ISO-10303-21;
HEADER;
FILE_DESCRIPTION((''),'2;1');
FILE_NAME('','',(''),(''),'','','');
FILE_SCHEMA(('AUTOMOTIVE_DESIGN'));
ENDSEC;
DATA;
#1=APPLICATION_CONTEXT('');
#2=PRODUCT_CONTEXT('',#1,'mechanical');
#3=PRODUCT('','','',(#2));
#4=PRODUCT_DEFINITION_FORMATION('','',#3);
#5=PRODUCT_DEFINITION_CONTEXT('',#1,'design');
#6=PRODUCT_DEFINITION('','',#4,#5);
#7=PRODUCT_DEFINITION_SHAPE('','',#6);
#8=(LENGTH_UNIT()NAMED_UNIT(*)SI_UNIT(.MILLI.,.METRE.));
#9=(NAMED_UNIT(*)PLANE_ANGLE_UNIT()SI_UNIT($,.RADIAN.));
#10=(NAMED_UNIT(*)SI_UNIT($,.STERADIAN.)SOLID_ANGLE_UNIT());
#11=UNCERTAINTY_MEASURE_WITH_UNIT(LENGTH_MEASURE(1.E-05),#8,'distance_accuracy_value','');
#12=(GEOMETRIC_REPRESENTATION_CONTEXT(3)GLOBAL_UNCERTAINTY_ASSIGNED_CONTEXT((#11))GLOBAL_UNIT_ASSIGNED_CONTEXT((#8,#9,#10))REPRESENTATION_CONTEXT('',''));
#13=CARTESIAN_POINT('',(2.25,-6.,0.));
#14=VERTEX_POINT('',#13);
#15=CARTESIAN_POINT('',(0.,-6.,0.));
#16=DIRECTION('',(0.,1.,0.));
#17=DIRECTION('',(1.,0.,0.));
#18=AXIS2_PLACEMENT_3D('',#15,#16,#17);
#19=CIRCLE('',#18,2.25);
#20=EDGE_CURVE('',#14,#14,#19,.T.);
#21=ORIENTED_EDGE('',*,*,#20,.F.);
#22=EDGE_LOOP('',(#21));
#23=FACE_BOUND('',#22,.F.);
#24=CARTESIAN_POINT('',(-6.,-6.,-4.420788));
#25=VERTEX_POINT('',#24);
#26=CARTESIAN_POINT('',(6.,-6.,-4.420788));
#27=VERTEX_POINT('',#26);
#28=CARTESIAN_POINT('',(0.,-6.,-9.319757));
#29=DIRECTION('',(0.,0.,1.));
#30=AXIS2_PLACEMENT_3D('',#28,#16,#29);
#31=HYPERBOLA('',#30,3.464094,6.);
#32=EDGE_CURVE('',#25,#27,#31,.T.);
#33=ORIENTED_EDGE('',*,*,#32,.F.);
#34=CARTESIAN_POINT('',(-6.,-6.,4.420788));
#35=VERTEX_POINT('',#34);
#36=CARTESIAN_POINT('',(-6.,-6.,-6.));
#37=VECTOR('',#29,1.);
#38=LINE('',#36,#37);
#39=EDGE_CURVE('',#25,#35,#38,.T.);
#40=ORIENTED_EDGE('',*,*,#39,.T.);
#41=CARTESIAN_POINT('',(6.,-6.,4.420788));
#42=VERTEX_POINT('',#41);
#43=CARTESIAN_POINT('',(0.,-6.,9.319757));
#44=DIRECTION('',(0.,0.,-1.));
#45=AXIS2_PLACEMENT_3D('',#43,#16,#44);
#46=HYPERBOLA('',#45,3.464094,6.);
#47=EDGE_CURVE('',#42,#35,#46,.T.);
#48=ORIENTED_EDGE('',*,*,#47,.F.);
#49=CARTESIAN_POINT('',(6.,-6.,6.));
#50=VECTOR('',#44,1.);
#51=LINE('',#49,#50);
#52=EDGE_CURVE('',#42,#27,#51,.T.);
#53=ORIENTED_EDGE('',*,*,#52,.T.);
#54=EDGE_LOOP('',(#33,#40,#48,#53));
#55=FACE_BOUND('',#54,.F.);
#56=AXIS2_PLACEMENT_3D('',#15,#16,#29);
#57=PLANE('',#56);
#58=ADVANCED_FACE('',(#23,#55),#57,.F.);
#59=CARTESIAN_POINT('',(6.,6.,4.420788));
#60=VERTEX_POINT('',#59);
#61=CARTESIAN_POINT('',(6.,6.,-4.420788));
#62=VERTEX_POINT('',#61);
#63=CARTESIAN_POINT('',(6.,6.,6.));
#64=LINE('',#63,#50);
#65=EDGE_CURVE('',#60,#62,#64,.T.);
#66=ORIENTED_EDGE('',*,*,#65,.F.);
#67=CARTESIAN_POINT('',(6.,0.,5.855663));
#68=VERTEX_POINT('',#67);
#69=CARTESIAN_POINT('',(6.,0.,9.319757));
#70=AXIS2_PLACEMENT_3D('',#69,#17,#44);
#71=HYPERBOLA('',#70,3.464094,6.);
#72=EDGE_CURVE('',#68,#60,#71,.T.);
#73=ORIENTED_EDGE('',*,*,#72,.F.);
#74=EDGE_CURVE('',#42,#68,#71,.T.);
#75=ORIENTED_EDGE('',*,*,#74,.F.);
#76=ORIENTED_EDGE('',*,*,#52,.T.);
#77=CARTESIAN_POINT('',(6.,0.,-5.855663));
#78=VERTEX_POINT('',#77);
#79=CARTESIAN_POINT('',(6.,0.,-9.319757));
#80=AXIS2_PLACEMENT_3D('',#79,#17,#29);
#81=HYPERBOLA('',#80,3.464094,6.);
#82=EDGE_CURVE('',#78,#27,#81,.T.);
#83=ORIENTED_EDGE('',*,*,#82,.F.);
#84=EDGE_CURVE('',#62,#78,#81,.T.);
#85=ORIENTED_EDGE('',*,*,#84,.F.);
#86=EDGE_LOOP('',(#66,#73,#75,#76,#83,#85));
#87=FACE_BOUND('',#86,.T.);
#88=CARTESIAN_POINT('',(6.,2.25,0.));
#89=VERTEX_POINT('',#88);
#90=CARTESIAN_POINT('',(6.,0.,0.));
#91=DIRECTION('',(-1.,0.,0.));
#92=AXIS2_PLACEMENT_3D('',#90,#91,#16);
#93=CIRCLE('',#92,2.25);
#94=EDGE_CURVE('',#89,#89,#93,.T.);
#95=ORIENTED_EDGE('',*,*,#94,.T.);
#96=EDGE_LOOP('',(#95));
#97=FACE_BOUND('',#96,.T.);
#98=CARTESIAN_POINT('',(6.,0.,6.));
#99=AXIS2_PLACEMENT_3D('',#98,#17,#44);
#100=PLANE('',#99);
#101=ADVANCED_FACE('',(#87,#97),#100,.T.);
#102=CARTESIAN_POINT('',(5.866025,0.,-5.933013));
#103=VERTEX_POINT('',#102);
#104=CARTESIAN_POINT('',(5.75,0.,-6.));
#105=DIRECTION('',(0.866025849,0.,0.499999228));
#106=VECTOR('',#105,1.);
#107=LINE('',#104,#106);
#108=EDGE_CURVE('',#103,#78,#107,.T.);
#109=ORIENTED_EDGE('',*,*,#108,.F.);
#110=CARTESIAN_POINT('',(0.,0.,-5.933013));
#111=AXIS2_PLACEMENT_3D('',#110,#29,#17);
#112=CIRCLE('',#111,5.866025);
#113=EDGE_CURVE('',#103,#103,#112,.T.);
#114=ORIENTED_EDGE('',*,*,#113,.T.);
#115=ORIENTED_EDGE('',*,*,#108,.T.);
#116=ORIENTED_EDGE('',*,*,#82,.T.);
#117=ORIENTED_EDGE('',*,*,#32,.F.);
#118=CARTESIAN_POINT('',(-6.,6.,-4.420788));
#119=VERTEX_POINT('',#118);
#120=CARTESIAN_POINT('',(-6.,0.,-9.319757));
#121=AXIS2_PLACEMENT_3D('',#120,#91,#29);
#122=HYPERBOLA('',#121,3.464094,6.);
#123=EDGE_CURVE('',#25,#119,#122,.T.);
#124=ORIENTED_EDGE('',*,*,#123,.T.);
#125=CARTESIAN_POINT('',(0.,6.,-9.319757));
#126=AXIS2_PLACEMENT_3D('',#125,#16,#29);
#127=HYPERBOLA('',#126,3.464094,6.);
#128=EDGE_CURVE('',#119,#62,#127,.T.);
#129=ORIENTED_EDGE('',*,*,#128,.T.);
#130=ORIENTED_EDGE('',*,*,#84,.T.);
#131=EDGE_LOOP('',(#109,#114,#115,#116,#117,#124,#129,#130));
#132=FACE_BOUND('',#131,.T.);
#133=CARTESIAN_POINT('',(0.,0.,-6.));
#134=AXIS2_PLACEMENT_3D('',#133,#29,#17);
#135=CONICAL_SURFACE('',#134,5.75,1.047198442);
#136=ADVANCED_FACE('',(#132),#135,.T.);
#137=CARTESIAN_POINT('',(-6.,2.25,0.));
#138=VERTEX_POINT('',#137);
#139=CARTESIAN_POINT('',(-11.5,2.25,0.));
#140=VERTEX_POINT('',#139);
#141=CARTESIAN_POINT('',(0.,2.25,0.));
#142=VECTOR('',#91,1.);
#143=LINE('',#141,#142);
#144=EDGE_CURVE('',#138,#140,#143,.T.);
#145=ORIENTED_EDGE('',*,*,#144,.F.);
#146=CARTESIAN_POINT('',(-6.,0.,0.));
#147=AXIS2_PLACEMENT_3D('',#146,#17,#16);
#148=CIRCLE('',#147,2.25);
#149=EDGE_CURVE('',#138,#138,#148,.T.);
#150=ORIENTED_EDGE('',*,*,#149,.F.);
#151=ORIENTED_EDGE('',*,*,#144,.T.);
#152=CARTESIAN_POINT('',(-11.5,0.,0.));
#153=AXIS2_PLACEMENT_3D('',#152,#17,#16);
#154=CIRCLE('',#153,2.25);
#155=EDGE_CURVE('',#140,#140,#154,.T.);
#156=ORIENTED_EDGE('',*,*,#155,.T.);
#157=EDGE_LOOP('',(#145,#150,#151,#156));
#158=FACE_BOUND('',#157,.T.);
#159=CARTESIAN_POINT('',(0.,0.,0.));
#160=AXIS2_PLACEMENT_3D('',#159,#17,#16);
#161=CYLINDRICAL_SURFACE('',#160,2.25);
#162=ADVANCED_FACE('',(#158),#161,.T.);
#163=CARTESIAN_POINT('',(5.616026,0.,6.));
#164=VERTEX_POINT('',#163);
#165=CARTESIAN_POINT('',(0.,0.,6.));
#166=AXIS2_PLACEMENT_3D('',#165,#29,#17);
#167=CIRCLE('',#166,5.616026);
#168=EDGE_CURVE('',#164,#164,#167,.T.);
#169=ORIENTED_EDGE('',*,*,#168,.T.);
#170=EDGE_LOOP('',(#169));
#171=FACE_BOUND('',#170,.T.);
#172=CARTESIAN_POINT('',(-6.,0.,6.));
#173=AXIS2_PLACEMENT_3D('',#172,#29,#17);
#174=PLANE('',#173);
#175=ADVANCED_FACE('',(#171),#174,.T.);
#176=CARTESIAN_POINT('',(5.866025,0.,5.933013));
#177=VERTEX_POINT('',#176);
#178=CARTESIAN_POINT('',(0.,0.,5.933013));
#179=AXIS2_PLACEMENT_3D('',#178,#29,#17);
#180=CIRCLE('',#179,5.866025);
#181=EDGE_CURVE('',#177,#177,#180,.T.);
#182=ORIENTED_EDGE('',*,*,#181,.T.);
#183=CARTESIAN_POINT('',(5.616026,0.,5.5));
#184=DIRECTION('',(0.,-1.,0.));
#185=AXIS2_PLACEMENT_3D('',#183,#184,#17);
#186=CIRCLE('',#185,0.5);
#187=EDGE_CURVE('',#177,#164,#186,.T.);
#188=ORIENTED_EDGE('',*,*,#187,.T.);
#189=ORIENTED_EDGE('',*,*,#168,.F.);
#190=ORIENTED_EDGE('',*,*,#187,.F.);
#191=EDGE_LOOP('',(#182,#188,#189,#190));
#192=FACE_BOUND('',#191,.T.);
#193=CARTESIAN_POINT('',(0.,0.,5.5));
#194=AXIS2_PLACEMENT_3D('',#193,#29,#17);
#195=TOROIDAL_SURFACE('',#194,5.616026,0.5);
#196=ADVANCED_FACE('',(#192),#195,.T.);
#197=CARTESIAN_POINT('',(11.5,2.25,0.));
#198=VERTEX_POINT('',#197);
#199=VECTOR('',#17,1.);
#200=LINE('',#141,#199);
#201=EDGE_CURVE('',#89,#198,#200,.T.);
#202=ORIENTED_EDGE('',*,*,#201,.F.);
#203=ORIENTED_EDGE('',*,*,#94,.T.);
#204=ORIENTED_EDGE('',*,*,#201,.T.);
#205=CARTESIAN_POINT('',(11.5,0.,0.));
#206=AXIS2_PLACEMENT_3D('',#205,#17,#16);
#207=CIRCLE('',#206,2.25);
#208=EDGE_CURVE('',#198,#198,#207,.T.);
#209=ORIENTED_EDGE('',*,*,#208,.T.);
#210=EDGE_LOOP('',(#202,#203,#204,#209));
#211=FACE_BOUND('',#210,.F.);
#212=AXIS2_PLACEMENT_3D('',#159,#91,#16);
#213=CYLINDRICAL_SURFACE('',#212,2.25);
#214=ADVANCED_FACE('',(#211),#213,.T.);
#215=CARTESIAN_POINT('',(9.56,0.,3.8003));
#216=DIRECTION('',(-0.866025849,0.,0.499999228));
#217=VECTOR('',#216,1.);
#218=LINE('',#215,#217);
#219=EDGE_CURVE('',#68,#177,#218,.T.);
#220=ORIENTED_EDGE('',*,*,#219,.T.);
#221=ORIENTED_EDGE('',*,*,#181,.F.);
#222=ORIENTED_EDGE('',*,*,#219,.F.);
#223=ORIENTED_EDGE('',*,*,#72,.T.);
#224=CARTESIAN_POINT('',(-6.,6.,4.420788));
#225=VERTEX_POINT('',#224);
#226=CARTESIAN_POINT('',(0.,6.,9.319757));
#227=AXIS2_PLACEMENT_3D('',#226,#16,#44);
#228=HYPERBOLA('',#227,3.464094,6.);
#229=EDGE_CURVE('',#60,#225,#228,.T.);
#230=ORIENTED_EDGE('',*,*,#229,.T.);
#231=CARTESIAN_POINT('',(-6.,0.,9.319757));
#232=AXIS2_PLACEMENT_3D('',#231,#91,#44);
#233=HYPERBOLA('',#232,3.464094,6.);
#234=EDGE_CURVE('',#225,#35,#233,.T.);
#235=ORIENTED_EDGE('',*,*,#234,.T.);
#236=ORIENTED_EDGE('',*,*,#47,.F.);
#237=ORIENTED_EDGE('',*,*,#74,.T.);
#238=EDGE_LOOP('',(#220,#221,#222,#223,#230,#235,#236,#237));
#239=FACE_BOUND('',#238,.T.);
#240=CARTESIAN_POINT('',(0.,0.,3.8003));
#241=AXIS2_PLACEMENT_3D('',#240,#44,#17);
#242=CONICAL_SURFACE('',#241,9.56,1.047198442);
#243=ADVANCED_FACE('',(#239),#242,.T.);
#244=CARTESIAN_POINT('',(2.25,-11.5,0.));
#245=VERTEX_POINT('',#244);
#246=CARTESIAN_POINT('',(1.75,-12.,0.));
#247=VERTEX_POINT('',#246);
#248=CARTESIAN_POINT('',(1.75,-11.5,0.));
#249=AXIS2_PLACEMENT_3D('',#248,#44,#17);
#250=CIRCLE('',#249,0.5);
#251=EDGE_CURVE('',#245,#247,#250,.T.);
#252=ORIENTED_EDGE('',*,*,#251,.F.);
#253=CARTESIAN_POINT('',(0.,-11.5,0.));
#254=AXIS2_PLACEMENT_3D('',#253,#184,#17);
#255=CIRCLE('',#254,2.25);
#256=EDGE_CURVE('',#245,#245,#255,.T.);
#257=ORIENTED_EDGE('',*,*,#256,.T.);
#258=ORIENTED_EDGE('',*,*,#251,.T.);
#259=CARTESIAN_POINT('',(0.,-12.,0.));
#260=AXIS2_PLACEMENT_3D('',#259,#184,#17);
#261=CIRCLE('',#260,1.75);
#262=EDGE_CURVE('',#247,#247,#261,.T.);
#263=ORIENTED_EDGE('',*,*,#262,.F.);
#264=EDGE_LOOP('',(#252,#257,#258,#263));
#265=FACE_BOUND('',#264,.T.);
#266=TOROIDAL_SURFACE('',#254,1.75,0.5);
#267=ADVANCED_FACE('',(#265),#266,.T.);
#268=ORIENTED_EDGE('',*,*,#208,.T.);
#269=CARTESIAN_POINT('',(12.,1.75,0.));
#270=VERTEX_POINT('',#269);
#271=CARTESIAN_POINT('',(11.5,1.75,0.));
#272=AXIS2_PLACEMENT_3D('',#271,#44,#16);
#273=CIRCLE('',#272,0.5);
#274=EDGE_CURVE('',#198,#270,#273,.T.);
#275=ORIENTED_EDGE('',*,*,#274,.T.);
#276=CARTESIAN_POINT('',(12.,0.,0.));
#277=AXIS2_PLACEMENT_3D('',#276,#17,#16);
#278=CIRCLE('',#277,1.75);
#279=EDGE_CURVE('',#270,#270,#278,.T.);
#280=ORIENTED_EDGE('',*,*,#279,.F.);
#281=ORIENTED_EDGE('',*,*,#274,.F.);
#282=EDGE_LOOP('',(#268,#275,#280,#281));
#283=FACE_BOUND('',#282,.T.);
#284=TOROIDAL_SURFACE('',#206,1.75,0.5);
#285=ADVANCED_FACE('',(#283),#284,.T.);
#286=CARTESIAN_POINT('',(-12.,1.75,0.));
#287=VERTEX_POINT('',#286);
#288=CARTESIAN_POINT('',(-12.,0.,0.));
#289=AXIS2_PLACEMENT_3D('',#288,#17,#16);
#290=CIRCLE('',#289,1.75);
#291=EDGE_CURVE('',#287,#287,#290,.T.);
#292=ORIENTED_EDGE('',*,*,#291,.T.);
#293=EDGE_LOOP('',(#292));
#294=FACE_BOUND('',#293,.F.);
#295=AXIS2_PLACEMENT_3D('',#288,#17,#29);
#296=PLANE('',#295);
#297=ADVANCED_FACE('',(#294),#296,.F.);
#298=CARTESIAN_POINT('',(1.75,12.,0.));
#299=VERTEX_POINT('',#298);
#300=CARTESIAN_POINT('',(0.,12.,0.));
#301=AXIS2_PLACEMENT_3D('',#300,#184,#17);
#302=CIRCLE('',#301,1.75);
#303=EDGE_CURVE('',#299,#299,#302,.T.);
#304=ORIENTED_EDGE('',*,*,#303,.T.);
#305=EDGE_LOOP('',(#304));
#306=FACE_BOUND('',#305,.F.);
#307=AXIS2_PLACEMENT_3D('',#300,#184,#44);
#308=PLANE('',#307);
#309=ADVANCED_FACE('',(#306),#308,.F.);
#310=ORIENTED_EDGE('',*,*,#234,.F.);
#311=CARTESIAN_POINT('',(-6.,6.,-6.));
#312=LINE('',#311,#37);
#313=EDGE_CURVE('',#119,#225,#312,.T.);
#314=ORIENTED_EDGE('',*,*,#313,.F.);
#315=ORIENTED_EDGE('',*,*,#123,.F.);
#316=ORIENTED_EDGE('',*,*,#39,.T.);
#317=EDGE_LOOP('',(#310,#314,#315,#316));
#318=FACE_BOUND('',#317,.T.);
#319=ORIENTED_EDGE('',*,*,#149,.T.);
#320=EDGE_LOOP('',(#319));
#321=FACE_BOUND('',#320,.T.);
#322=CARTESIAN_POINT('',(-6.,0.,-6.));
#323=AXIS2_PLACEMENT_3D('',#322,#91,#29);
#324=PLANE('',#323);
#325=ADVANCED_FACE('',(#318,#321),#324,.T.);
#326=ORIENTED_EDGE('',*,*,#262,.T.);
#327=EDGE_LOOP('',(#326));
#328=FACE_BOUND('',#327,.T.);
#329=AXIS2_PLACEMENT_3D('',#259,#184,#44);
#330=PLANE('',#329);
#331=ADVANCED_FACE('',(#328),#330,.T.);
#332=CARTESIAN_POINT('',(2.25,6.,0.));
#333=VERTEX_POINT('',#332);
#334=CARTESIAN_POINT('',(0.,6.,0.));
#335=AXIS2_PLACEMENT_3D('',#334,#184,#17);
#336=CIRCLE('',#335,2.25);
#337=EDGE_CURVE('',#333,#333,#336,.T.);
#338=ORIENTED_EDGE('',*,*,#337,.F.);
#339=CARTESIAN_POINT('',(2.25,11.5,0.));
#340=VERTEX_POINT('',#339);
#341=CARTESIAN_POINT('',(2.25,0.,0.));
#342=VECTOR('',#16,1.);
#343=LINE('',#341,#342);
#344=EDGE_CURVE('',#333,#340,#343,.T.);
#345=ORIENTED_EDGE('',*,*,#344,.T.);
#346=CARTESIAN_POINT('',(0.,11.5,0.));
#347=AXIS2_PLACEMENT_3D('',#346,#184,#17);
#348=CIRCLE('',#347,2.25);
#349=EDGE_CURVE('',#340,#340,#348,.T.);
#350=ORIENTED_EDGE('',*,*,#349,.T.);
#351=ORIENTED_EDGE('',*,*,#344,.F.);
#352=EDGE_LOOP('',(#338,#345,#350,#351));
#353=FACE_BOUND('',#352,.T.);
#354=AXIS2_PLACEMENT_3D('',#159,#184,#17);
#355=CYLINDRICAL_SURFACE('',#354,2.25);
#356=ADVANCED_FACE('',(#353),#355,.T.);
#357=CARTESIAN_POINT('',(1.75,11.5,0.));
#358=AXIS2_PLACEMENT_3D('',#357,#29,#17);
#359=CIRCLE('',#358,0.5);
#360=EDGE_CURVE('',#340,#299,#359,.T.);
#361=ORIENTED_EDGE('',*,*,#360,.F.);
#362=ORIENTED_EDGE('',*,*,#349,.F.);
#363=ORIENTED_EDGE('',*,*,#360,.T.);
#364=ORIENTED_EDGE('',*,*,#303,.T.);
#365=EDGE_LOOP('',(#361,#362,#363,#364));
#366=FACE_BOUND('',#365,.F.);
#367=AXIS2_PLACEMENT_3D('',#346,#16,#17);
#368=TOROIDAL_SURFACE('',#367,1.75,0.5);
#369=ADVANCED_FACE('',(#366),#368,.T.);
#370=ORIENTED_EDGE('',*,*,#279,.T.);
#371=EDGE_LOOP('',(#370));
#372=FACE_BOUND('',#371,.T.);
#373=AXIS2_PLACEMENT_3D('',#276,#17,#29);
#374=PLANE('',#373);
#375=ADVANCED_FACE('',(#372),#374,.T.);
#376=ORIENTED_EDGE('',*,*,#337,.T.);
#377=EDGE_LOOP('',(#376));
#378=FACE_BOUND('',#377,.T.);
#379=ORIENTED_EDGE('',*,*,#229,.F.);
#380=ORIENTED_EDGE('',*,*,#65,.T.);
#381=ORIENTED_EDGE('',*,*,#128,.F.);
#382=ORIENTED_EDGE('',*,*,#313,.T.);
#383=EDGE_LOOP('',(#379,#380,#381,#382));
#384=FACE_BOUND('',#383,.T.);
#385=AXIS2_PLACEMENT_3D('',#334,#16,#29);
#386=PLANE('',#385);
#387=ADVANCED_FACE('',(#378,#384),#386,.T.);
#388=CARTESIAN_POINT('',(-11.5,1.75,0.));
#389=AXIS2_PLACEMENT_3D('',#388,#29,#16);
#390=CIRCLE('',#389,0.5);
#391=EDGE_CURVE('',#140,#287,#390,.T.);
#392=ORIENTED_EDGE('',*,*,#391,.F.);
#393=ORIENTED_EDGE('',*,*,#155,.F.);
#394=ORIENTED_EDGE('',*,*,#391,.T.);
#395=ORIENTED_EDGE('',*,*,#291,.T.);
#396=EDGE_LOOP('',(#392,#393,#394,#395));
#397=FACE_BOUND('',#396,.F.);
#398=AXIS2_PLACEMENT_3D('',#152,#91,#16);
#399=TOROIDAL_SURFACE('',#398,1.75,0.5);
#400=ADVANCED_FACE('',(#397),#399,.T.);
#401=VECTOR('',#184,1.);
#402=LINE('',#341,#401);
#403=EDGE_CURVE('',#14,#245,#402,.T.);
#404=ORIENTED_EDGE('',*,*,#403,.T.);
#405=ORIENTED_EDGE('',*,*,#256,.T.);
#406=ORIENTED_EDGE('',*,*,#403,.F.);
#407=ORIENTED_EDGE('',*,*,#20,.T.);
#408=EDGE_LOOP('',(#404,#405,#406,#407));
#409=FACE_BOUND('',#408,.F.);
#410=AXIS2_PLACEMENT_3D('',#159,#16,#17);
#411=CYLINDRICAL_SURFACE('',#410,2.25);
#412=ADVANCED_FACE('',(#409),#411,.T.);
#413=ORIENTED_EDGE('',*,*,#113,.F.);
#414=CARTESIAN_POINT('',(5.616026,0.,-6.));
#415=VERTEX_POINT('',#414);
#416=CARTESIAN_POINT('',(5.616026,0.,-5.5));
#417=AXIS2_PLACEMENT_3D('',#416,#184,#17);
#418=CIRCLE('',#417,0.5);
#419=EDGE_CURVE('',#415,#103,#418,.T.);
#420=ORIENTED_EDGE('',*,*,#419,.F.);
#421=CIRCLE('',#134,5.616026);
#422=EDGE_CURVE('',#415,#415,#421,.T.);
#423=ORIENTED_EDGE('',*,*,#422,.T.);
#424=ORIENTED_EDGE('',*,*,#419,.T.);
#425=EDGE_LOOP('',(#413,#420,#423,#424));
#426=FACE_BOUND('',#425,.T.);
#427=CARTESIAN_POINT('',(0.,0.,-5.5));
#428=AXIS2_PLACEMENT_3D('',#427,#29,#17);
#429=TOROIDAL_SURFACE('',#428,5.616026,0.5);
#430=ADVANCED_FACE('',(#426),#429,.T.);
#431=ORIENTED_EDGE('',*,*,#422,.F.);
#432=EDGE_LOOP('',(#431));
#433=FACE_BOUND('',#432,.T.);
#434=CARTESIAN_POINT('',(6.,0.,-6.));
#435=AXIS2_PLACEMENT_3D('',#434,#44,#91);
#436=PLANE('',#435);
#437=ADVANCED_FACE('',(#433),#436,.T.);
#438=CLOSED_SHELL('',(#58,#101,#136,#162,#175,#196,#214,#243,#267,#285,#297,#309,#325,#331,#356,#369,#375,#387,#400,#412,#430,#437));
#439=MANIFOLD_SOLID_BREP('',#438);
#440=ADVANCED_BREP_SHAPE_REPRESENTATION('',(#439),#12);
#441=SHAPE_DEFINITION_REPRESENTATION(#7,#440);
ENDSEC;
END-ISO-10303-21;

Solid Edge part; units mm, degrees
sketch "Sketch1" plane through (0, 0, 0) normal (0, -1, 0) x (1, 0, 0)
  line L0 (6, -6) -> (-6, -6)
  line L1 (-6, -6) -> (-6, 6)
  line L2 (-6, 6) -> (6, 6)
  line L3 (6, 6) -> (6, -6)
  dimension "D1" = 12
  dimension "D2" = 12
extrude "Protrusion1" add sketch "Sketch1" along normal mid plane 12
sketch "Sketch2" plane through (0, 0, 0) normal (0, -1, 0) x (1, 0, 0)
  line L0 (9.56, 3.8003) -> (5.75, 6)
  line L1 (5.75, 6) -> (12.1, 6)
  line L2 (12.1, 6) -> (12.1, -6)
  line L3 (12.1, -6) -> (5.75, -6)
  line L4 (5.75, -6) -> (9.56, -3.8003)
  line L5 (9.56, -3.8003) -> (9.56, 3.8003)
revolve "RevolvedCutout1" cut sketch "Sketch2" angle 360 about axis through (0, 0, 0) along (0, 0, 1)
sketch "Sketch3" plane through (0, 0, 0) normal (1, 0, 0) x (0, 1, 0)
  circle A0 centre (0, 0) radius 2.25
  dimension "D1" = 4.5
extrude "ExtrudedProtrusion_3" add sketch "Sketch3" along normal mid plane 24
sketch "Sketch4" plane through (0, 0, 0) normal (0, -1, 0) x (1, 0, 0)
  circle A0 centre (0, 0) radius 2.25
  dimension "D1" = 4.5
extrude "ExtrudedProtrusion_4" add sketch "Sketch4" along normal mid plane 24
fillet "Round_1" radius 0.5 6 edges at (-2.25, -12, 0) (12, -2.25, 0) (-2.25, 12, 0) (-12, -2.25, 0) (-5.75, 0, 6) (-5.75, 0, -6)
extrude "ExtrudedCutout_1" [suppressed]
